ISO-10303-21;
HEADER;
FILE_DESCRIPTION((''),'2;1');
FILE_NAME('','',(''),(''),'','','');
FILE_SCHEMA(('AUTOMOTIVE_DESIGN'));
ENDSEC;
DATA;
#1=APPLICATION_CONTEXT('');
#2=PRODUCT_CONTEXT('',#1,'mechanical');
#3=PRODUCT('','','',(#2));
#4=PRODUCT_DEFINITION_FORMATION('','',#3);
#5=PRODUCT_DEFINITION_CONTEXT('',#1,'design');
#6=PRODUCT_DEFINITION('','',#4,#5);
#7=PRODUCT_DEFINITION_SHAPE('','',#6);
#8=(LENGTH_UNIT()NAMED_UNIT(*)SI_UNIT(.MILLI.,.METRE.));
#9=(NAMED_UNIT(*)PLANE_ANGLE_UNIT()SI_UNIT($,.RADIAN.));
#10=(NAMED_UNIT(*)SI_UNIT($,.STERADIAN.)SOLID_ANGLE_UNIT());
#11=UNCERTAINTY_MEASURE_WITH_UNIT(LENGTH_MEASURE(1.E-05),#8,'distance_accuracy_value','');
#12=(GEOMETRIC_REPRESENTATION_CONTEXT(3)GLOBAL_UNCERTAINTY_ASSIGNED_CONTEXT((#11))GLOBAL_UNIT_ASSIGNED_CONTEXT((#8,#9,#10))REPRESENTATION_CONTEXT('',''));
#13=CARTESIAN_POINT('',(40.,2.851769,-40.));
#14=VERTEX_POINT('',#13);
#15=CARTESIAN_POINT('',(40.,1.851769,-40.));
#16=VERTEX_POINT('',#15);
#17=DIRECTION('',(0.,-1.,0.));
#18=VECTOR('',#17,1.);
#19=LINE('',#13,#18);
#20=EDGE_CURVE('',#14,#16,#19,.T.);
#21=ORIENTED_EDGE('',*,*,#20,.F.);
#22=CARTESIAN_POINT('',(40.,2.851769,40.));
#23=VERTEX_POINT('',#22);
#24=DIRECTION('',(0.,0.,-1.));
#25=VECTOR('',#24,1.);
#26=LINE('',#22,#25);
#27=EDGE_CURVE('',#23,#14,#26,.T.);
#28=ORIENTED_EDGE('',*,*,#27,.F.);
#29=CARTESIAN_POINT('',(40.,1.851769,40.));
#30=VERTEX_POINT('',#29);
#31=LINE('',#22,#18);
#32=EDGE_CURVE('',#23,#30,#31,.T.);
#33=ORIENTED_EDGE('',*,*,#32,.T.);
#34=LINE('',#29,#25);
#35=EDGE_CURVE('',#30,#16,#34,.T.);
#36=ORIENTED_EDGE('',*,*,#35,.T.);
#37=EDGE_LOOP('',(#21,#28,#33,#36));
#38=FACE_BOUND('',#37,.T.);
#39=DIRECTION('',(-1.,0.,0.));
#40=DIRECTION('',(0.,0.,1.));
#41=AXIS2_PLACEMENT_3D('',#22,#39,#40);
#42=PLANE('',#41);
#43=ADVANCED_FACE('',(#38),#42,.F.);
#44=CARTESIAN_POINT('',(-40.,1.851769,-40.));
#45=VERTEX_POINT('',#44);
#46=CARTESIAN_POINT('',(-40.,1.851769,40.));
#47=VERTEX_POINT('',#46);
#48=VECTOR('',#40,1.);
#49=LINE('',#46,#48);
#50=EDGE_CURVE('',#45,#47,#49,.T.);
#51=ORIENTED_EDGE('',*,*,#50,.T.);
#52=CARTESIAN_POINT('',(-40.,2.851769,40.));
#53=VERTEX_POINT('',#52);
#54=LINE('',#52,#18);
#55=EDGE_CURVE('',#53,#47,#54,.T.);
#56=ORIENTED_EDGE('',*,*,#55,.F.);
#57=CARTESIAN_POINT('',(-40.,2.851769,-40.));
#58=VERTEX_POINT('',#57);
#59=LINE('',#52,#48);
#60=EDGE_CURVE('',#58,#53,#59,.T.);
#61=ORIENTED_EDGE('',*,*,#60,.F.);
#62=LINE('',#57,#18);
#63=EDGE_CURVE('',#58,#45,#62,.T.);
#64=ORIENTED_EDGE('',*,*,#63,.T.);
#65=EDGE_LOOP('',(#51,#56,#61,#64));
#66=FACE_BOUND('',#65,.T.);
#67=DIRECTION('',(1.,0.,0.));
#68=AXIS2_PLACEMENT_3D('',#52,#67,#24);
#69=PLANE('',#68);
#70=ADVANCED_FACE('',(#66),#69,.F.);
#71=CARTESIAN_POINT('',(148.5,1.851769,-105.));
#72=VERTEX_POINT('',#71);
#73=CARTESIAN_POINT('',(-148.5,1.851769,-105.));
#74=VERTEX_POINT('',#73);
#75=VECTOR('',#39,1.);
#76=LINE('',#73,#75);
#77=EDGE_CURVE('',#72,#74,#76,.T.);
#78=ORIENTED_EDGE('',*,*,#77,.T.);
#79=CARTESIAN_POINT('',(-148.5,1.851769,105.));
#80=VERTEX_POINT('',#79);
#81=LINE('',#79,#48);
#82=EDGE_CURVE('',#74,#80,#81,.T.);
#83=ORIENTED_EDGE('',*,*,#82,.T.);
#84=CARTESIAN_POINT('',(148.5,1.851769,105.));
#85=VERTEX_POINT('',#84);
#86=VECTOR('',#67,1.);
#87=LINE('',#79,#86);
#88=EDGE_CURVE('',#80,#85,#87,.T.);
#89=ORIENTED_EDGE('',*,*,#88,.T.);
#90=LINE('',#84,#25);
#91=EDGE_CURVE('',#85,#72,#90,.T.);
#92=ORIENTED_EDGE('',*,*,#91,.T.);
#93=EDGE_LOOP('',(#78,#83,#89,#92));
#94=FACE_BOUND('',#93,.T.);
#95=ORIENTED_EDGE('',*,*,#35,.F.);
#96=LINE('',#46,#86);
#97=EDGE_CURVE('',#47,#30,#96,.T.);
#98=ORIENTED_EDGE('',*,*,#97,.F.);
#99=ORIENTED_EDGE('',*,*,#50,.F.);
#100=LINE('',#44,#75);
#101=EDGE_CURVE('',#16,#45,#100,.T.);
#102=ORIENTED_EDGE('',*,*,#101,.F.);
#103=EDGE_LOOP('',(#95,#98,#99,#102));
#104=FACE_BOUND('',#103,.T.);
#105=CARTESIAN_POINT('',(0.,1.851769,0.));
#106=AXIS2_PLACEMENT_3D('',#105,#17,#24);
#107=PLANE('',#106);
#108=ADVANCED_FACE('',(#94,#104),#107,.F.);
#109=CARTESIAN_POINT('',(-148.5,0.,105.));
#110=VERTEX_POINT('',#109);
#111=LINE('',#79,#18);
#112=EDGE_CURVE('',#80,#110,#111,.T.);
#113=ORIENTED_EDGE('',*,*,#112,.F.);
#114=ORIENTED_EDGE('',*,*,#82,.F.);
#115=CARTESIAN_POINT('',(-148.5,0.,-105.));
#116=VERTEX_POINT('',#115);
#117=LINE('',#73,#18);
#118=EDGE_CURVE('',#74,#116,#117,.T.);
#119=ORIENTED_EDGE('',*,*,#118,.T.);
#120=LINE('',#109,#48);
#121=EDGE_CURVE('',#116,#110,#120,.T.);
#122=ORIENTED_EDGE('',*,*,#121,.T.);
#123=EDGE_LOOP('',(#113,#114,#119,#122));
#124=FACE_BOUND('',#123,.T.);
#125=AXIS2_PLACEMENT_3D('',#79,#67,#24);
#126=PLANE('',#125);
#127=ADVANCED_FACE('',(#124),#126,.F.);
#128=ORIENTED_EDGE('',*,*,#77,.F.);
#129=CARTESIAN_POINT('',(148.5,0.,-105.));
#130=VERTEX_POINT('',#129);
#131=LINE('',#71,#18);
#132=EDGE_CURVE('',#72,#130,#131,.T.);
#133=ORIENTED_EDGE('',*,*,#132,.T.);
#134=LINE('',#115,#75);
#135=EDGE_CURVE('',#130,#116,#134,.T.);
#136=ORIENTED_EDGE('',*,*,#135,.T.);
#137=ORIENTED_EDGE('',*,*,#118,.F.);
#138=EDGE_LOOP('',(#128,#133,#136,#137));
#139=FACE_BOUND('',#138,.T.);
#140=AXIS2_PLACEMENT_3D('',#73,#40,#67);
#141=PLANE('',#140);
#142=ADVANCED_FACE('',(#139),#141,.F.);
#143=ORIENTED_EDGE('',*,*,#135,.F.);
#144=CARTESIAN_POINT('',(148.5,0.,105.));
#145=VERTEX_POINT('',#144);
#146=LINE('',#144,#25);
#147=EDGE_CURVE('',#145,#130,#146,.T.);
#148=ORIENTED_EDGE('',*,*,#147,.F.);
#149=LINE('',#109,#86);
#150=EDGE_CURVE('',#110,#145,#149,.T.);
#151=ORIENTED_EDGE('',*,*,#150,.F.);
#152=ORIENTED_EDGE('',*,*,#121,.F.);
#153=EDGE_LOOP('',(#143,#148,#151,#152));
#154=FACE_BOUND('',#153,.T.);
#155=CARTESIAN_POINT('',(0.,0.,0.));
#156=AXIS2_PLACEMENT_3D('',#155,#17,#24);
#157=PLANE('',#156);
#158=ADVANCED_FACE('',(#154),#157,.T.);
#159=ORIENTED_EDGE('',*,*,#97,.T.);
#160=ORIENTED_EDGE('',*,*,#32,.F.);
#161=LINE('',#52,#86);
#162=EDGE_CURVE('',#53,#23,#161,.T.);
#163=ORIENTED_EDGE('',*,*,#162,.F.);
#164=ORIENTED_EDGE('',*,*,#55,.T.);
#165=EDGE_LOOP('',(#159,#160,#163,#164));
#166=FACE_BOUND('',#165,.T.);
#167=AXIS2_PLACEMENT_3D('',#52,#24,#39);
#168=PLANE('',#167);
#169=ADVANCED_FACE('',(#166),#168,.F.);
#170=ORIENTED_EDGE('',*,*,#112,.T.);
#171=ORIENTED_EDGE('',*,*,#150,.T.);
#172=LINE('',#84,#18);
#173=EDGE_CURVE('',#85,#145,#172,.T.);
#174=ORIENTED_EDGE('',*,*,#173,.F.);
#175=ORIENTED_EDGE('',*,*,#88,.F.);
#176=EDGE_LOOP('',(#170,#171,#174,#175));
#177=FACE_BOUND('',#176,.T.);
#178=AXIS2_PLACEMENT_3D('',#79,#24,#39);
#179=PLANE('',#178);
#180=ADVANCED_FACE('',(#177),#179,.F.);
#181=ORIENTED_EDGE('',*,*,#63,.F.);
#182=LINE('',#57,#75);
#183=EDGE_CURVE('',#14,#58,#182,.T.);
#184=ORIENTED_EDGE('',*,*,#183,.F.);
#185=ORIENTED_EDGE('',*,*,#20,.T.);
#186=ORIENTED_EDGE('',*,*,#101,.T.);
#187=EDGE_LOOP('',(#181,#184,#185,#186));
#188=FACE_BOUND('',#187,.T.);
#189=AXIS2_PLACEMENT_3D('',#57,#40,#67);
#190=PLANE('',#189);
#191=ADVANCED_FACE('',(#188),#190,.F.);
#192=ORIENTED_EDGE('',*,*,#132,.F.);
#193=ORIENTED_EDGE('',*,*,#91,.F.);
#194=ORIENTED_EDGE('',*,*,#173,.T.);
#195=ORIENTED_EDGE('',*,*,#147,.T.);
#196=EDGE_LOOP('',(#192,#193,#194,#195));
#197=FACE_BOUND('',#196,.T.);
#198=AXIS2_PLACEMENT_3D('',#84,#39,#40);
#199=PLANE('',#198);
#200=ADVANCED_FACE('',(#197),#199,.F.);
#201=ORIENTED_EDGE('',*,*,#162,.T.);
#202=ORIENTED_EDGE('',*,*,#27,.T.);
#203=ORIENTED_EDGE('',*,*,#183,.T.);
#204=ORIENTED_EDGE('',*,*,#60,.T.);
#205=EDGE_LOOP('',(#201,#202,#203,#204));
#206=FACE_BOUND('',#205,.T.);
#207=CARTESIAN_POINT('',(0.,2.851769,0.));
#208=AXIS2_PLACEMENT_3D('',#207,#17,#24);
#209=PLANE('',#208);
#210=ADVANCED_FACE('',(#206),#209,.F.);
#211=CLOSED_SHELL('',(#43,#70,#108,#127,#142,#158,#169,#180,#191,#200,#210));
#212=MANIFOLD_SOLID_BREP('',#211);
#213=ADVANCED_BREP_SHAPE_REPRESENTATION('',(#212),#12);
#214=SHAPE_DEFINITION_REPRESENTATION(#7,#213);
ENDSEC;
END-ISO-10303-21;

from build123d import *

# Parameters (mm, degrees)
SKETCH_1_W      = 297
SKETCH_1_H      = 210
EXTRUDE_1_DEPTH = 1.851768758
SKETCH_2_W      = 80
SKETCH_2_H      = 80
EXTRUDE_2_DEPTH = 1


with BuildPart() as part:
    # 草图1 → 凸台-拉伸1 (new body)
    with BuildSketch(Plane(origin=(0, 0, 0), x_dir=(1, 0, 0), z_dir=(0, 1, 0))):
        Rectangle(SKETCH_1_W, SKETCH_1_H)
    extrude(amount=EXTRUDE_1_DEPTH)

    # 草图2 → 凸台-拉伸2 (add)
    with BuildSketch(Plane(origin=(0, 1.851768758, 0), x_dir=(1, 0, 0), z_dir=(0, 1, 0))):
        Rectangle(SKETCH_2_W, SKETCH_2_H)
    extrude(amount=EXTRUDE_2_DEPTH)


solid = part.part
